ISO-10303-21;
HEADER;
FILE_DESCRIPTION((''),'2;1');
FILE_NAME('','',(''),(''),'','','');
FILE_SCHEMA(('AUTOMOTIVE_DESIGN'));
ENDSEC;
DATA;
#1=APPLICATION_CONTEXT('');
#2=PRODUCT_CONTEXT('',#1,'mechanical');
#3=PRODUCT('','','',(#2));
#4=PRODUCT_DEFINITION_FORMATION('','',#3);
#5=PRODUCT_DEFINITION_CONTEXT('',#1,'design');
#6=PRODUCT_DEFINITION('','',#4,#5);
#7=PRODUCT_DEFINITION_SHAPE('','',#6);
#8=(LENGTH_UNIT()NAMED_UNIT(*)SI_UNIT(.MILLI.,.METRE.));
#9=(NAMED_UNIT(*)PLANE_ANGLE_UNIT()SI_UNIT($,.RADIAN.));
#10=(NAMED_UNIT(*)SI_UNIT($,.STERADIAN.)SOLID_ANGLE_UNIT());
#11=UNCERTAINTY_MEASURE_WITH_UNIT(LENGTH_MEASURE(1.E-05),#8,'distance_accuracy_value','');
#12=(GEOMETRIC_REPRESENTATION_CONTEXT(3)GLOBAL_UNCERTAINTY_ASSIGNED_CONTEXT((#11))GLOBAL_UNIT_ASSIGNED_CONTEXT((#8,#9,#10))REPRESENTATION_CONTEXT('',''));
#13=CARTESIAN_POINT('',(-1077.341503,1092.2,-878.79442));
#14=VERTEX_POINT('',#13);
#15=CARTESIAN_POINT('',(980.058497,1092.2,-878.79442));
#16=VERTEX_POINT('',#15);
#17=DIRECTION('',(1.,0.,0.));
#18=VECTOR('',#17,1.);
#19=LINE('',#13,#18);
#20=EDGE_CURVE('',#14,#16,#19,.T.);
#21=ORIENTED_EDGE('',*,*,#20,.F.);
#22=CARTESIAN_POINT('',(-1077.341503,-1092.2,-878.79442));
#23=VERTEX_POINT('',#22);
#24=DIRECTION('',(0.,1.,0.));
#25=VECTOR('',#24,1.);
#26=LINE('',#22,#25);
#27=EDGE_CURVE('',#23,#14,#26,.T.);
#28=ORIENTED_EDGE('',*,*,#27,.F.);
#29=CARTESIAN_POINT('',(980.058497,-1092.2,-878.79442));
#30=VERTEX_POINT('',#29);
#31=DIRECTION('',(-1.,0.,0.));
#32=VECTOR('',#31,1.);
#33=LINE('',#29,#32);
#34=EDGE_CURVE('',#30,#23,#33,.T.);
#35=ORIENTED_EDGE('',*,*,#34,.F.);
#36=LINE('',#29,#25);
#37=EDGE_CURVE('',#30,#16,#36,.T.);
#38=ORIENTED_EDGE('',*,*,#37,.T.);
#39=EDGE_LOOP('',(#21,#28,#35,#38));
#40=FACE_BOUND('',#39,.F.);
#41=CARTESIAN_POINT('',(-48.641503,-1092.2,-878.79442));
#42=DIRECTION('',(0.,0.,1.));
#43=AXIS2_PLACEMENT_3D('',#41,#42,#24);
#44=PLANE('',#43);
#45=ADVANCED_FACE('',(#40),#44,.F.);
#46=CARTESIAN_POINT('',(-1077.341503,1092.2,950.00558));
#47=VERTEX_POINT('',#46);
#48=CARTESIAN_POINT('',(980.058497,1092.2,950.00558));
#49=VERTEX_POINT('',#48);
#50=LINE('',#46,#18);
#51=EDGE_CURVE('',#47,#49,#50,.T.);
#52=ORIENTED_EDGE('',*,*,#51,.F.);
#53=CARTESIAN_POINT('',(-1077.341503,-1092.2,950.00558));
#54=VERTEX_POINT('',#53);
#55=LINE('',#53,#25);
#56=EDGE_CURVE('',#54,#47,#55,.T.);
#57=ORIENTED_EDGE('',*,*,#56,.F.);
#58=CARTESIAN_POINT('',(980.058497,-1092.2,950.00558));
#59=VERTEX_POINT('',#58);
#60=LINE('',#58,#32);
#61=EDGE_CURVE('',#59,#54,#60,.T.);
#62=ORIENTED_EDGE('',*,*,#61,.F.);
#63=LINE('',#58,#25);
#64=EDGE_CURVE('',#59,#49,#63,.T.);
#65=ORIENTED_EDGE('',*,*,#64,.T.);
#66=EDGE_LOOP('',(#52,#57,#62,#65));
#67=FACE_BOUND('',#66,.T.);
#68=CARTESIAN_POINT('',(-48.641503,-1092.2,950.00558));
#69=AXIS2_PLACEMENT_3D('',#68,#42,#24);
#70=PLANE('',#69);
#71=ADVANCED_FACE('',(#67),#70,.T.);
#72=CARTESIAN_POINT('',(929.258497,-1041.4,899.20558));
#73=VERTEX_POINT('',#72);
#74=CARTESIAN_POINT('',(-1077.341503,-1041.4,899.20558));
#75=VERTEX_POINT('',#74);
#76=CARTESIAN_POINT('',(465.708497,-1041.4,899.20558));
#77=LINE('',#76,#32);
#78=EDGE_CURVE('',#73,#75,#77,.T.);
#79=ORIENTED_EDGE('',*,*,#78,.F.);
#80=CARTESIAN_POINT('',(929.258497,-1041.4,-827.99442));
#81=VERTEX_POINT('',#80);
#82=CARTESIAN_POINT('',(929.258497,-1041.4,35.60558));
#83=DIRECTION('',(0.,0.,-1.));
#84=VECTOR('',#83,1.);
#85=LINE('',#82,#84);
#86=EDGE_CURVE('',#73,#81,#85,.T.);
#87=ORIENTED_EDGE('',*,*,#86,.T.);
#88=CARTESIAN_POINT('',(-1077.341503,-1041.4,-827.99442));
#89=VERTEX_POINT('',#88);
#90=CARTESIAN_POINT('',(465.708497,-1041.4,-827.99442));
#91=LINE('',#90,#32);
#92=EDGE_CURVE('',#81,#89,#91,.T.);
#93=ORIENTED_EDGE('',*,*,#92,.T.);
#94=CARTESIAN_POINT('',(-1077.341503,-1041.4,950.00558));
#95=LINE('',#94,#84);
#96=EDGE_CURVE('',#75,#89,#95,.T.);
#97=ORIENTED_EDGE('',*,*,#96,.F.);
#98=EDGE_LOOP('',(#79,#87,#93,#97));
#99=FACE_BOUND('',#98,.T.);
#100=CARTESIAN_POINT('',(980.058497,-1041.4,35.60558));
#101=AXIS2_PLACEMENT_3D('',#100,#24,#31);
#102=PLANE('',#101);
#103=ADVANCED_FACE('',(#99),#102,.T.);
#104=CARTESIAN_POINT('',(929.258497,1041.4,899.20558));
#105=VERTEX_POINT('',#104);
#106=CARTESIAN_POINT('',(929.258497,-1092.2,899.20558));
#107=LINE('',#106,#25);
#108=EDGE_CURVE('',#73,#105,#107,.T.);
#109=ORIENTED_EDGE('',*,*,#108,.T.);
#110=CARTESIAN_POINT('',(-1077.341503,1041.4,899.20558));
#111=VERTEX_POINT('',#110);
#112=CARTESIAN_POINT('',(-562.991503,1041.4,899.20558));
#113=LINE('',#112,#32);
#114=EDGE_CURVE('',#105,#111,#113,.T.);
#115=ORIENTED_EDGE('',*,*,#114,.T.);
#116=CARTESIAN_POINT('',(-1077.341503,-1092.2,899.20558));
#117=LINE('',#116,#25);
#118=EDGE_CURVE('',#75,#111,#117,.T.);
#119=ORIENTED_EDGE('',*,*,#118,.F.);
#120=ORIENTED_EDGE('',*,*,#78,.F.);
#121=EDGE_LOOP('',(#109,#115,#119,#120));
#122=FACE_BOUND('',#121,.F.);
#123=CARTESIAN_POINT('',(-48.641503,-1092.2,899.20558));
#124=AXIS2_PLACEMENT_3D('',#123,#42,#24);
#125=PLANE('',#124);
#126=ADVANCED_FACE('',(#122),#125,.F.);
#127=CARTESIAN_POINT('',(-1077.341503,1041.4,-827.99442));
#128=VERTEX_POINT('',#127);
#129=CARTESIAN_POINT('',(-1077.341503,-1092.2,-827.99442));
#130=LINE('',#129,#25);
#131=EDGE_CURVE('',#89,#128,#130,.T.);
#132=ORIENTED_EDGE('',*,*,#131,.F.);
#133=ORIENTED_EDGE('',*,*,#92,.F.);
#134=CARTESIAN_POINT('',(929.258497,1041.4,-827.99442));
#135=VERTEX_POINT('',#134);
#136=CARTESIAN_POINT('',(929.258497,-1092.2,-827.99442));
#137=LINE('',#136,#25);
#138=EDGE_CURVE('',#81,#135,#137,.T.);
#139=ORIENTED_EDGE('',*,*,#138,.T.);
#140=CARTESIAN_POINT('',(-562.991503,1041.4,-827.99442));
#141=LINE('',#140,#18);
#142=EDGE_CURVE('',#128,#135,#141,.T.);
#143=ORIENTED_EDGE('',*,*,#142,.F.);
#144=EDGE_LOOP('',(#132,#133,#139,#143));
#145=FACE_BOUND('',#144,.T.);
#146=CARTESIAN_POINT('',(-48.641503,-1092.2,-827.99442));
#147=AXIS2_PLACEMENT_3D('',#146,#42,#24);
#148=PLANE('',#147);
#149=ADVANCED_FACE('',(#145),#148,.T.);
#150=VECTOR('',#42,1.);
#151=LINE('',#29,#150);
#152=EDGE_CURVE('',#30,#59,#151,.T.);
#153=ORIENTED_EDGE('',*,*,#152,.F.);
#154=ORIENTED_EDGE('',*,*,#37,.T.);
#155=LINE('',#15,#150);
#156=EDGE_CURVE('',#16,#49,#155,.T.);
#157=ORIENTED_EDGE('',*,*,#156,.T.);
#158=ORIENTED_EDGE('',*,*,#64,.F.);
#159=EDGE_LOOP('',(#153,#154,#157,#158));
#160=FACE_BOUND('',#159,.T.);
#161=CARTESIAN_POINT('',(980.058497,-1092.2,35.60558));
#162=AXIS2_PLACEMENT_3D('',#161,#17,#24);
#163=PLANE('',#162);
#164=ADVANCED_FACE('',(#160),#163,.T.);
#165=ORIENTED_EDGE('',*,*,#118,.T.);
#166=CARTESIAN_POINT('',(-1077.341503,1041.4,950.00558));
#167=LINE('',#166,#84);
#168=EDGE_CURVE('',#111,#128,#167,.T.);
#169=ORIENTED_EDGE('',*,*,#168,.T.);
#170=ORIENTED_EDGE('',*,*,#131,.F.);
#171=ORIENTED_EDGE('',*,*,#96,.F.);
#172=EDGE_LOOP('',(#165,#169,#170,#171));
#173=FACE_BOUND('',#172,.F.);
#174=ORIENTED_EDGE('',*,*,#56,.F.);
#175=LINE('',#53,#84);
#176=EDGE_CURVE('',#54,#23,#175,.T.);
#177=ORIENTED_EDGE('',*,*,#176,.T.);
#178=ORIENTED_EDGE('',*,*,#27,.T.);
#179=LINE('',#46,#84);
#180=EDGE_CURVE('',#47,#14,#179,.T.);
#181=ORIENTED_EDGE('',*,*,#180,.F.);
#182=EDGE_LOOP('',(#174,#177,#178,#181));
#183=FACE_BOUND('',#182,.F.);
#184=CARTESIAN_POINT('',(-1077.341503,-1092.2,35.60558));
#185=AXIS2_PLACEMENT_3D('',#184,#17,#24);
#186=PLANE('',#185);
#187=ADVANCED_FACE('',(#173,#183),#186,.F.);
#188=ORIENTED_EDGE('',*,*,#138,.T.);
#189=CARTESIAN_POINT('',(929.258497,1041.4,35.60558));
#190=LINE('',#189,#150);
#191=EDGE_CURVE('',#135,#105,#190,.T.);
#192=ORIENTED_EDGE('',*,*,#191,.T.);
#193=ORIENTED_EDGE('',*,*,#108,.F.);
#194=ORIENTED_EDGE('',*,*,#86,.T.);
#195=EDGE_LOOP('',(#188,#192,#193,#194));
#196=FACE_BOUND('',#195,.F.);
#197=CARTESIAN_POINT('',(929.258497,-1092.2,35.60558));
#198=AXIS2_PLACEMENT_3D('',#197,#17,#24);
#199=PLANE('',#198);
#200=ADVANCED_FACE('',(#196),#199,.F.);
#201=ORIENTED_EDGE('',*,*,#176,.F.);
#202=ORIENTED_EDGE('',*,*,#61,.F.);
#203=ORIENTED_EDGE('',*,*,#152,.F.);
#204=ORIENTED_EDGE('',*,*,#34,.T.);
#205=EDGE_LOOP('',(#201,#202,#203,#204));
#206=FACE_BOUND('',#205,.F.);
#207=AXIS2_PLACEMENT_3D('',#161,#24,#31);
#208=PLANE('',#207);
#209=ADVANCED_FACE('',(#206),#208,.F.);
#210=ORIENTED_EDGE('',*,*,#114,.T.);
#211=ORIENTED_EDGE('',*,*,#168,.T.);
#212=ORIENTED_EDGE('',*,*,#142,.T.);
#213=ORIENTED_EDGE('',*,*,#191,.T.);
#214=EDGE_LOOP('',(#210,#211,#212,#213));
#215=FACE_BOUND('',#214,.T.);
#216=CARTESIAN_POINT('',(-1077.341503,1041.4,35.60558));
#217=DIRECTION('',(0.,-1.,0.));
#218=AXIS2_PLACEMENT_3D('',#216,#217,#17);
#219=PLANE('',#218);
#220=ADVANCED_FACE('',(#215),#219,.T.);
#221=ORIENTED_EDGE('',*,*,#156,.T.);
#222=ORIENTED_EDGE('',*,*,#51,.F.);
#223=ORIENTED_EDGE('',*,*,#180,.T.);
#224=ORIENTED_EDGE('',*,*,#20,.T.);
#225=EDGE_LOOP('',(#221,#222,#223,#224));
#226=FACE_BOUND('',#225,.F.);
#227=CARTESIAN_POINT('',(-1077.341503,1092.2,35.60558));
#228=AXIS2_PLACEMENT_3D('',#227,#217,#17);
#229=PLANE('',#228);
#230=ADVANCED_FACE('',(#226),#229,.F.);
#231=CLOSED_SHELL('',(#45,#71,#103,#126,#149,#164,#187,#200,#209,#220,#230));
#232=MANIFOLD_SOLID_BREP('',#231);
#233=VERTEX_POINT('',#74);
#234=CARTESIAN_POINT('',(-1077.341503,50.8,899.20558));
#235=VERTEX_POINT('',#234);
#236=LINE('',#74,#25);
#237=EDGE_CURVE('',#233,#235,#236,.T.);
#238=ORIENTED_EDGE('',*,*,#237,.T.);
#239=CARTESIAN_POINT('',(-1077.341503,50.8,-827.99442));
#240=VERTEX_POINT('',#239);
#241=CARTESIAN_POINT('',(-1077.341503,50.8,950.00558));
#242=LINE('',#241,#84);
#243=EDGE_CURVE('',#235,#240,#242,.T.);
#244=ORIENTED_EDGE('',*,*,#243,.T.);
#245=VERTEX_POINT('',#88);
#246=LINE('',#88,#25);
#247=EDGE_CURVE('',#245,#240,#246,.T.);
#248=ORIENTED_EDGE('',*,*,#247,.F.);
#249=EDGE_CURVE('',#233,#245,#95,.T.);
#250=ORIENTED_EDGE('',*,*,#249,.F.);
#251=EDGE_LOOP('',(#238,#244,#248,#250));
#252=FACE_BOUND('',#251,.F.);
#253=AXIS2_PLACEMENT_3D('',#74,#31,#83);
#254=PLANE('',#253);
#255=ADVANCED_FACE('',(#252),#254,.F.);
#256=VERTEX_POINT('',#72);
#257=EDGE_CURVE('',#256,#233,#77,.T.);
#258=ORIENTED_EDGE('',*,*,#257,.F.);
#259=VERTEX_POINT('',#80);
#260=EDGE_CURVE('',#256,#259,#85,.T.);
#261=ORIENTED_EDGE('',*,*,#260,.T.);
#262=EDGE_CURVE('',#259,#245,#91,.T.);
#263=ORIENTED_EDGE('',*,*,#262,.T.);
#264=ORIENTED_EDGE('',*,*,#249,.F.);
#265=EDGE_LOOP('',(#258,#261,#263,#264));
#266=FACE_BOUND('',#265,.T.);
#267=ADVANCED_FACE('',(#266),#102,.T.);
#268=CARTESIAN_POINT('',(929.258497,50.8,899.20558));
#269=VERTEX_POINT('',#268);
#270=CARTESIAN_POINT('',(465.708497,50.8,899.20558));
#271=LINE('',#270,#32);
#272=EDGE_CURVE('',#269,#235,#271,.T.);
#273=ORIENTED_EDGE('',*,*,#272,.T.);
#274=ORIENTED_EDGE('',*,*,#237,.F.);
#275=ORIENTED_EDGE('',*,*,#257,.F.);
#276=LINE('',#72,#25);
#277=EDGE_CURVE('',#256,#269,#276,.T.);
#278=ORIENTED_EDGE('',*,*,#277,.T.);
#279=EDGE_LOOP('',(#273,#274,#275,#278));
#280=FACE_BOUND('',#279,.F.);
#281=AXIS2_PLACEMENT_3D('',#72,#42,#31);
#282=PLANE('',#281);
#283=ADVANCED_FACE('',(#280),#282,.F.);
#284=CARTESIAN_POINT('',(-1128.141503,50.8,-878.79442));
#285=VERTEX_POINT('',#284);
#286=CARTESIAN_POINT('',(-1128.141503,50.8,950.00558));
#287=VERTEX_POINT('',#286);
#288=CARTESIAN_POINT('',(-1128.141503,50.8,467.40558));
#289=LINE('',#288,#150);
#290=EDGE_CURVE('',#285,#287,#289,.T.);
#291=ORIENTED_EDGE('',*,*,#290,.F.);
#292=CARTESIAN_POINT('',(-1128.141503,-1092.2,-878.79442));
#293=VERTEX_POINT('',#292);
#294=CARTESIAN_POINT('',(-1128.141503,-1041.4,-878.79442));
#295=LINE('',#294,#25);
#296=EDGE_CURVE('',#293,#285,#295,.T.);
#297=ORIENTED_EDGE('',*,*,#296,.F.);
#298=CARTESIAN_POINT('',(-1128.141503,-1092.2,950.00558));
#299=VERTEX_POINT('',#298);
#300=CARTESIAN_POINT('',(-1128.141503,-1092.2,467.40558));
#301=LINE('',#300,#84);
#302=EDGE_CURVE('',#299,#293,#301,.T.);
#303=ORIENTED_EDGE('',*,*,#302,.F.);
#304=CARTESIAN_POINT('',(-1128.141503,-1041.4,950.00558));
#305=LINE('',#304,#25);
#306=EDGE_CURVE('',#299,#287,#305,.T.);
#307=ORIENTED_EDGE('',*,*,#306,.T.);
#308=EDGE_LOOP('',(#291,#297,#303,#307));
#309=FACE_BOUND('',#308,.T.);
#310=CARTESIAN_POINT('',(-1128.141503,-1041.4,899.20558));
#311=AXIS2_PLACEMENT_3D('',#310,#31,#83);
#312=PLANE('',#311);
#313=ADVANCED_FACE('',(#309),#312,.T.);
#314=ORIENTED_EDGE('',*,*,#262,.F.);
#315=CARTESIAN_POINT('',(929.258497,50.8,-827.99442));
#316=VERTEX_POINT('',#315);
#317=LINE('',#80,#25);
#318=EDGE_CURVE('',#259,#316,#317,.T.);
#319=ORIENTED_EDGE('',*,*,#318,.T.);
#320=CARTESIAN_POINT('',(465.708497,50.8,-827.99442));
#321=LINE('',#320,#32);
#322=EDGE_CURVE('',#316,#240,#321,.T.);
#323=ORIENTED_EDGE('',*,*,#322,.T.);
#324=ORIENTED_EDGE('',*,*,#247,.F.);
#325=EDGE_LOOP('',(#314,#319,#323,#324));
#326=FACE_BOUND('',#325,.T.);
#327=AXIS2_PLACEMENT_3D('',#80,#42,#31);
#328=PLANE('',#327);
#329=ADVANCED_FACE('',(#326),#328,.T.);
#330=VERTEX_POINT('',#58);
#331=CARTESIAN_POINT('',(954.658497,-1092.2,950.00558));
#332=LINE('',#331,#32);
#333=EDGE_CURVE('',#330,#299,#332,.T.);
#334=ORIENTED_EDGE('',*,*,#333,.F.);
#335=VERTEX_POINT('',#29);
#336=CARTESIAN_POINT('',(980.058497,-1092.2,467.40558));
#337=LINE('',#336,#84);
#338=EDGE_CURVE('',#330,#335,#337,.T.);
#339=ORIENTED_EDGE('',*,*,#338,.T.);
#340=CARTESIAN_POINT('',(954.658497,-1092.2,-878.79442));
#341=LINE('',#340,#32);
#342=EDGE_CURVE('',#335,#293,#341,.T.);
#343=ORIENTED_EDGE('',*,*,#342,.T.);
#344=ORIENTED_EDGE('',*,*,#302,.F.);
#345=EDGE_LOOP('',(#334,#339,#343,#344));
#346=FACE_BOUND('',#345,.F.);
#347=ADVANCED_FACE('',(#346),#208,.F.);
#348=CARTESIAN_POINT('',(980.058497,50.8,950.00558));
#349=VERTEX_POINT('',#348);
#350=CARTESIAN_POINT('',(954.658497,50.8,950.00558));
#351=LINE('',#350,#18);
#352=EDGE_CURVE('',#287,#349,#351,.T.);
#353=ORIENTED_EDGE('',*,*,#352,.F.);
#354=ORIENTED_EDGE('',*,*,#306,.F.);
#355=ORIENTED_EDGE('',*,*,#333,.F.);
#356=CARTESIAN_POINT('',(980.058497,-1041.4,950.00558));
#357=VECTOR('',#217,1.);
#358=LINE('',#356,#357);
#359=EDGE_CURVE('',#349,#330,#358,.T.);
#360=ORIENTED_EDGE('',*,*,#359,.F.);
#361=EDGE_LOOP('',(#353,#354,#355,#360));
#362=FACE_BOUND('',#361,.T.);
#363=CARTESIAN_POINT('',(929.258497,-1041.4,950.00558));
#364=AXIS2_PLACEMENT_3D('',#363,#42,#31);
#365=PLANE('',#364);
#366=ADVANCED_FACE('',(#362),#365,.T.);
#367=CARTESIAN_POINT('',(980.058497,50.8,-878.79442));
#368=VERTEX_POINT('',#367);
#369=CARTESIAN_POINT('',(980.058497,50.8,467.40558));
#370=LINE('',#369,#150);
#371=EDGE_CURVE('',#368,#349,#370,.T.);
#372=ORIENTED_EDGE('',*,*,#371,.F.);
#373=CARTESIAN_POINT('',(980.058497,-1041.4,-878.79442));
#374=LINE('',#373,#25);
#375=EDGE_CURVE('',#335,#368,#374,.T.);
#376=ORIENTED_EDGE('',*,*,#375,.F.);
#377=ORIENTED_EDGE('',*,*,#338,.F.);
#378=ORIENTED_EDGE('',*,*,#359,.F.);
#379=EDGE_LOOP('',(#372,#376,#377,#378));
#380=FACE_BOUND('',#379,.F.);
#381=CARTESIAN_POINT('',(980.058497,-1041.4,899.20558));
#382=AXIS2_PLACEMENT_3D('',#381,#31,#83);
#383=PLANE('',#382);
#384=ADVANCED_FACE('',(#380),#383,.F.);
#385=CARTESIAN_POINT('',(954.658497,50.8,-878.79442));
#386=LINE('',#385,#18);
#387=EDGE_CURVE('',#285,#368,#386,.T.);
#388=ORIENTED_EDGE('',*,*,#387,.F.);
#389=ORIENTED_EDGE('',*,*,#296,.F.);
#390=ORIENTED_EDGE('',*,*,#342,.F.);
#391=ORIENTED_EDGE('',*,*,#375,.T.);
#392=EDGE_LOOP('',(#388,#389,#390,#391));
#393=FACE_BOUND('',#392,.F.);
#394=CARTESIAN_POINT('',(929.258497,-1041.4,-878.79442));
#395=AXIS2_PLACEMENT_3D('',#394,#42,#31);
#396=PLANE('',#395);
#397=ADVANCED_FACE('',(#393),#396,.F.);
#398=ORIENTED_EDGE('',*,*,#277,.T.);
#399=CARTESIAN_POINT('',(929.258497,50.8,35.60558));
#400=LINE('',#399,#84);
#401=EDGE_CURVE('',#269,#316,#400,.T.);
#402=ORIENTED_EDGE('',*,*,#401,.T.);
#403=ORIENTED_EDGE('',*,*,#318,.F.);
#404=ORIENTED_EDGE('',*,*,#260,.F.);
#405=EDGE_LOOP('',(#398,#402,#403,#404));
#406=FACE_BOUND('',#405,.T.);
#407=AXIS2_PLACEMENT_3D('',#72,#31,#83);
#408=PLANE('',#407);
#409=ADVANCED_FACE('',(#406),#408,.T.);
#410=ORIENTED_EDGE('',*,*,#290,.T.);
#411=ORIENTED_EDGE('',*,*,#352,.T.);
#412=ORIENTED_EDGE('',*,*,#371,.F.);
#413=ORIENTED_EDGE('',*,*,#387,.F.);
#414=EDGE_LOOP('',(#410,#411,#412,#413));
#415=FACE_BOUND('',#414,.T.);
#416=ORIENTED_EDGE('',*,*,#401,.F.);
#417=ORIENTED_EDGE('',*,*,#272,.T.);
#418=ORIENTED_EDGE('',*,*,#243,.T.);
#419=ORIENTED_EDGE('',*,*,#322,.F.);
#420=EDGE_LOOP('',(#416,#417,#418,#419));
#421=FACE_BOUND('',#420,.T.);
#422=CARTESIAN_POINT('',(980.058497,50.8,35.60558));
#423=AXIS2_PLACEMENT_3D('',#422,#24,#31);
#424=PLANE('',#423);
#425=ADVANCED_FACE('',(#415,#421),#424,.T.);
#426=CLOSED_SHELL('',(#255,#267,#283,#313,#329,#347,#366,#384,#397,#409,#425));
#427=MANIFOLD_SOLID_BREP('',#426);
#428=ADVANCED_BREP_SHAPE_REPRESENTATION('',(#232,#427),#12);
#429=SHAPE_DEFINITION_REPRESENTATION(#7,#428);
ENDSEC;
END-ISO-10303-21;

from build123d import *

# Parameters (mm, degrees)
F0_W     = 97.2830057144
F0_H     = 71.2111592293
F1_DEPTH = 1092.2
F2_DEPTH = 1028.7
F3_DEPTH = 914.4
F4_T     = -50.8
F5_DEPTH = 1092.2
F6_T     = 50.8


with BuildPart() as f1:
    # F0 (on Front) → F1 (new body, symmetric)
    with BuildSketch(Plane.XZ):
        Rectangle(F0_W, F0_H)
    extrude(amount=F1_DEPTH, both=True)

    # F2 (add, symmetric): a face of the model
    f2_faces = [f1.faces().sort_by_distance(p)[0] for p in [
        (-48.6415028572, 0, 0),
    ]]
    extrude(f2_faces, amount=F2_DEPTH, both=True)

    # F3 (add, symmetric): a face of the model
    f3_faces = [f1.faces().sort_by_distance(p)[0] for p in [
        (-48.6415028572, 0, 35.6055796146),
    ]]
    extrude(f3_faces, amount=F3_DEPTH, both=True)

    # F4
    f4_openings = [f1.faces().sort_by_distance(p)[0] for p in [
        (-1077.341503, 0, 35.60558),
    ]]
    offset(amount=F4_T, openings=f4_openings)


with BuildPart() as f5:
    # F5 (new): a face of the model
    f5_faces = [f1.part.faces().sort_by_distance(p)[0] for p in [
        (-74.0415028572, -1041.4, 35.6055796146),
    ]]
    extrude(f5_faces, amount=F5_DEPTH)

    # F6
    f6_openings = [f5.faces().sort_by_distance(p)[0] for p in [
        (-74.041503, 50.8, 35.60558),
    ]]
    offset(amount=F6_T, openings=f6_openings, kind=Kind.INTERSECTION)


solid = Compound([f1.part, f5.part])
